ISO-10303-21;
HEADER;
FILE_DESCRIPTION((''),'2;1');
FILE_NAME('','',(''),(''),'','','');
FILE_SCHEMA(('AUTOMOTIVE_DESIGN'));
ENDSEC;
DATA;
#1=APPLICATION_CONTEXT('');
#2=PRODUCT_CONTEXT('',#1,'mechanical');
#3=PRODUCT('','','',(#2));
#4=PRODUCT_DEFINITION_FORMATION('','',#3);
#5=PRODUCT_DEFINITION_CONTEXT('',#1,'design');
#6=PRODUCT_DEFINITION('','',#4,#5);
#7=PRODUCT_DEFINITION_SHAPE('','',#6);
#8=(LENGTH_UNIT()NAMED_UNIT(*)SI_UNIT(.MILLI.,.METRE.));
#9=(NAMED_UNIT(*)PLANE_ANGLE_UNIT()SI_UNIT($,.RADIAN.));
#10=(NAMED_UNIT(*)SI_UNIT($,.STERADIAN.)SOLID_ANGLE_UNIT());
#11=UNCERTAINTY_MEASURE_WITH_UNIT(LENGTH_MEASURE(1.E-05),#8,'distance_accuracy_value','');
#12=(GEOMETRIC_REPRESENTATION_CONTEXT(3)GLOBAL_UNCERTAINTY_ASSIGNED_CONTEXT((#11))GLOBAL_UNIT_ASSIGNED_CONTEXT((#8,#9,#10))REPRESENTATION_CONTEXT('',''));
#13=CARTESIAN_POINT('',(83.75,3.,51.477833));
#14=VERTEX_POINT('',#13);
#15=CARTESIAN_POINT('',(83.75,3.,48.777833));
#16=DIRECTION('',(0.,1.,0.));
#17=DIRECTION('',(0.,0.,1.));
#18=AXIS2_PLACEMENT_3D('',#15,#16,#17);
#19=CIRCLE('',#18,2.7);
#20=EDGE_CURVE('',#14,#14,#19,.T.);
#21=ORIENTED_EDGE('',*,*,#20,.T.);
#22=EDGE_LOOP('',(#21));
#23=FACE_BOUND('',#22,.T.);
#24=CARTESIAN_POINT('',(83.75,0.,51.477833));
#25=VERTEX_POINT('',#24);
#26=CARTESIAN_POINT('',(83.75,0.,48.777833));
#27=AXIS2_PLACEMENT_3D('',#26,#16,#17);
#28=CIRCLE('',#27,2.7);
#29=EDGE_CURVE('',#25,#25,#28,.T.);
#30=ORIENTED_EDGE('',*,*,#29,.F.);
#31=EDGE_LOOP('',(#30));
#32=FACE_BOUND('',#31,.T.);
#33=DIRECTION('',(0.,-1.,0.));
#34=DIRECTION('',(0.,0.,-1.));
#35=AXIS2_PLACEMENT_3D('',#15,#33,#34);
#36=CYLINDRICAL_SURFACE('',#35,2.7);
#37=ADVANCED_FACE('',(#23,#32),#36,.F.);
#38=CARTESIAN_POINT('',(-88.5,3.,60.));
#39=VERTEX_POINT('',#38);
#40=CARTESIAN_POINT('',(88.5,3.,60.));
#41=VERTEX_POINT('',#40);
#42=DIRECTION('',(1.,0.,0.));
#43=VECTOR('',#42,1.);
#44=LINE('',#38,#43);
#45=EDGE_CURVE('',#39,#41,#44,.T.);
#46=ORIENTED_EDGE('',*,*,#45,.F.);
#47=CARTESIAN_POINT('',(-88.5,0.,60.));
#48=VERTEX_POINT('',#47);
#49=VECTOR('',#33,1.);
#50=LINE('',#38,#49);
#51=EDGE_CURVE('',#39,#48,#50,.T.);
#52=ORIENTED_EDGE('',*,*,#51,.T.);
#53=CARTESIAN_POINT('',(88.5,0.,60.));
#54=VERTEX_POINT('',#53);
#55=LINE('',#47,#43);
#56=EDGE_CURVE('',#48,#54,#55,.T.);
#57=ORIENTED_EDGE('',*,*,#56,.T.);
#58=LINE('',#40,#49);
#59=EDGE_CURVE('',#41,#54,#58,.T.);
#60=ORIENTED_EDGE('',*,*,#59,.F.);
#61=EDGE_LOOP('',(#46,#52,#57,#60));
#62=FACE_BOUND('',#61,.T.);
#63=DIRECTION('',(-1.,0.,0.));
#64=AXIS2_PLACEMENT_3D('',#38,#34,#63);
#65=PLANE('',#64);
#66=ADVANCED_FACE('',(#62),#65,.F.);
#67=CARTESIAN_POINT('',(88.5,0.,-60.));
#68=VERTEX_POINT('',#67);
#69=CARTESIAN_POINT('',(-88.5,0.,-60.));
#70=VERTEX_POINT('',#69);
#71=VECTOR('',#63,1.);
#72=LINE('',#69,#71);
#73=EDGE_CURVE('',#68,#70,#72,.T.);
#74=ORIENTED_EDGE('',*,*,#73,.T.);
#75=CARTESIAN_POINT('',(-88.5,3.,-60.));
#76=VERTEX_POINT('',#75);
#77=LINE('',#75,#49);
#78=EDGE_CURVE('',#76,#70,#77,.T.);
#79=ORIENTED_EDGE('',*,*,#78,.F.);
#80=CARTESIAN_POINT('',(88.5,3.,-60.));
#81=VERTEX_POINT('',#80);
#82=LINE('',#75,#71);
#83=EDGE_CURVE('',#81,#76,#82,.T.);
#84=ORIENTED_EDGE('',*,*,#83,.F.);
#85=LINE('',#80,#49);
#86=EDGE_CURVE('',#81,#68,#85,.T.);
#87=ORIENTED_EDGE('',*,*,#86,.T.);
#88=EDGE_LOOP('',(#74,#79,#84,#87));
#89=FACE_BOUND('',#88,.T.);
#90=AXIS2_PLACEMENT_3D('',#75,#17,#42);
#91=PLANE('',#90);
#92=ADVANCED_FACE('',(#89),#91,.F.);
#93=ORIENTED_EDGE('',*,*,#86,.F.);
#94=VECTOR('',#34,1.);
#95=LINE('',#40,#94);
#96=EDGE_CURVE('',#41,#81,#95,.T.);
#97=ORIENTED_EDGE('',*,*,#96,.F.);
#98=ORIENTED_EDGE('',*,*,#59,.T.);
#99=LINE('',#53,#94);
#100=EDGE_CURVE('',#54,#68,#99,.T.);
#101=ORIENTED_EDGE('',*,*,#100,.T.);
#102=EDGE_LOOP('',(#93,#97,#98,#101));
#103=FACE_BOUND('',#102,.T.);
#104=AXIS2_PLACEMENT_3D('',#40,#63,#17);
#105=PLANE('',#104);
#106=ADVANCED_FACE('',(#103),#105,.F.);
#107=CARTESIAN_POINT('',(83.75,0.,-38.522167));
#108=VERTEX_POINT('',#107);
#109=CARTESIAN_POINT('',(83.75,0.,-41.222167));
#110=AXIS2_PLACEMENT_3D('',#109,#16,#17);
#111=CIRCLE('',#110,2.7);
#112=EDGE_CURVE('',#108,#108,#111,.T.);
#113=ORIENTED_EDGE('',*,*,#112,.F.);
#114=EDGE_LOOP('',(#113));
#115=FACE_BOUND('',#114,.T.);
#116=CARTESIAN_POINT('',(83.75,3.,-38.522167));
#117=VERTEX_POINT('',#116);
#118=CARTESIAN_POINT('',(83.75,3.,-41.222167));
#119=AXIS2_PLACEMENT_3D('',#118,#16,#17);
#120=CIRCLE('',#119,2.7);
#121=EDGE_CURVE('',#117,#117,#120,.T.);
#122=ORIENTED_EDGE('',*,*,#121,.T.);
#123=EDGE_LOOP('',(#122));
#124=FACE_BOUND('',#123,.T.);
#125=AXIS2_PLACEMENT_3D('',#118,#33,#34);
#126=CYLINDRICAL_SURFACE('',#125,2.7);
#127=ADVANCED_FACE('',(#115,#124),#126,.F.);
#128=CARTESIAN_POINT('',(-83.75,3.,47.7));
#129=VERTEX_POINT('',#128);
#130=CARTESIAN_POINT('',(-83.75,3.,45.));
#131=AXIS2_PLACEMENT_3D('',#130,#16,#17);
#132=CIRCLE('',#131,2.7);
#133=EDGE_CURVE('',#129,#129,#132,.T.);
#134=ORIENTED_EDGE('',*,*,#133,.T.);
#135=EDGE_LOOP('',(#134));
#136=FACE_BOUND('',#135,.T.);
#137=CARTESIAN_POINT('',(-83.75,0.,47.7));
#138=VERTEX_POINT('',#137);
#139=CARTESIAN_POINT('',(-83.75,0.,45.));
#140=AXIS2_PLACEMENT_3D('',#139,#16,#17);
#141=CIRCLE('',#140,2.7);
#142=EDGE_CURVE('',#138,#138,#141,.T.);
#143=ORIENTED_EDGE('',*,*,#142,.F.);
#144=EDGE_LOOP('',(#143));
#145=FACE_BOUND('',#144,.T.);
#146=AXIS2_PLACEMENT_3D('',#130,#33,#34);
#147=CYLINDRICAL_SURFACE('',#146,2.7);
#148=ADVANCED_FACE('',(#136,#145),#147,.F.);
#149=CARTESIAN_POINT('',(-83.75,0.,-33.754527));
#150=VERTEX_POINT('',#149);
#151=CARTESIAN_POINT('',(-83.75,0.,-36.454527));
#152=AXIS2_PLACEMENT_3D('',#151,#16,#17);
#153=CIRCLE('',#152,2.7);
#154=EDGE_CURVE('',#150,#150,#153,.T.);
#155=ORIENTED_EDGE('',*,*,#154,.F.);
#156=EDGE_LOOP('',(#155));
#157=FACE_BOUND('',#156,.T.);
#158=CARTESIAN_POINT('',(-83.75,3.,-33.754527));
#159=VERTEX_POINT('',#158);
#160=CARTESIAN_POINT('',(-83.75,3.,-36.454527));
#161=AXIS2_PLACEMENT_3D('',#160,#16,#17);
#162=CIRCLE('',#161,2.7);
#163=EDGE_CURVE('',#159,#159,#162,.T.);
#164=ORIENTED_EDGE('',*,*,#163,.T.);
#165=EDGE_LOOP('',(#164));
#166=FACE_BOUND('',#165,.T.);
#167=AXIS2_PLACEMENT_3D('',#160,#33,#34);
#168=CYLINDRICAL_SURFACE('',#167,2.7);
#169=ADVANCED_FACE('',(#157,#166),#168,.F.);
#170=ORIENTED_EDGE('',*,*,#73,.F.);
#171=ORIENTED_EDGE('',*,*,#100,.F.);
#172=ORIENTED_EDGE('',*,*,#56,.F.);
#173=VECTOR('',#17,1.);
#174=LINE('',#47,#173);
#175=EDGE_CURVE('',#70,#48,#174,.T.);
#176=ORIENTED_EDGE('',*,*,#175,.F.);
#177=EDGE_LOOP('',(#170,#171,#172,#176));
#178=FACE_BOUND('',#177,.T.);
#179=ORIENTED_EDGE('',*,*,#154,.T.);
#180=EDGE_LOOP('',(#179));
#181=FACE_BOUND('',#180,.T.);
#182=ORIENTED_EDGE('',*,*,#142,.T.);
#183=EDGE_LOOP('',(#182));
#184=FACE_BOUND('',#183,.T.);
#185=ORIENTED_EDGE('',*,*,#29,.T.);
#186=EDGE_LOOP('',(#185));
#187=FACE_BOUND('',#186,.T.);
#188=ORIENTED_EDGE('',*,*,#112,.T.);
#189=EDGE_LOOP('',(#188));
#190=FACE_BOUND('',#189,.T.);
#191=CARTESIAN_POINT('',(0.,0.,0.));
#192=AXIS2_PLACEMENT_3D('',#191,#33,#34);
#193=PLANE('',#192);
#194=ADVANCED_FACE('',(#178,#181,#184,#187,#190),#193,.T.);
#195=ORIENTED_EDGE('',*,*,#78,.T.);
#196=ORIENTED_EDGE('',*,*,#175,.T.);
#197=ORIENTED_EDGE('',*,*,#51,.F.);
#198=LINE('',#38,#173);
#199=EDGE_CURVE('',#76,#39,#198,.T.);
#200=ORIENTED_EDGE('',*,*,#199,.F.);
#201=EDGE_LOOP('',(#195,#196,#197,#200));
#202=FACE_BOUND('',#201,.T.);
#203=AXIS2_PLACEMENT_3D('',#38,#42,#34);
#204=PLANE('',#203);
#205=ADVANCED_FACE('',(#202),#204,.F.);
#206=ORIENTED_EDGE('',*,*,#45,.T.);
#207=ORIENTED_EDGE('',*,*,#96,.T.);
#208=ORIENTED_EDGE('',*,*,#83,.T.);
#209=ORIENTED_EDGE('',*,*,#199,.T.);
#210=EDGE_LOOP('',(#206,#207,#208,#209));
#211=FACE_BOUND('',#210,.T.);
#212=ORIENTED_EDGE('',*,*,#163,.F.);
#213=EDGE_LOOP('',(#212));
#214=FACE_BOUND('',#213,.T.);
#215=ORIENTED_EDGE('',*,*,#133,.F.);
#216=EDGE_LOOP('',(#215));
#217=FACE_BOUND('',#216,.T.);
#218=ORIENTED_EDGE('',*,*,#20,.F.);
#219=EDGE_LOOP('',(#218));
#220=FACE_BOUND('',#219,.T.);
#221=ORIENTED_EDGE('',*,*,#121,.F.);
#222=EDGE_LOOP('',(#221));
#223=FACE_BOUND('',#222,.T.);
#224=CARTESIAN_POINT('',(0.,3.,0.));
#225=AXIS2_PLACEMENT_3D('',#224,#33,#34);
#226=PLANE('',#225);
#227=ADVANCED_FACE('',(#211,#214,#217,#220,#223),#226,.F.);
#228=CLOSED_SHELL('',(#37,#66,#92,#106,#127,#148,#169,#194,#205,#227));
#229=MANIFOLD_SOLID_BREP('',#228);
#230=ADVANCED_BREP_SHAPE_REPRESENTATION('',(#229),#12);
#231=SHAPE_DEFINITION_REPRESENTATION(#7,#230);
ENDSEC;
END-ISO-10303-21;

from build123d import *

# Parameters (mm, degrees)
SKETCH1_W      = 177
SKETCH1_H      = 120
SKETCH1_R      = 2.7
EXTRUDE1_DEPTH = 3


with BuildPart() as part:
    # Sketch1 → Extrude1 (new body)
    with BuildSketch(Plane(origin=(0, 0, 0), x_dir=(1, 0, 0), z_dir=(0, 1, 0))):
        Rectangle(SKETCH1_W, SKETCH1_H)
        with Locations(Location((-83.75, 36.454526796, 0), (0, 0, 270))):
            Circle(SKETCH1_R, mode=Mode.SUBTRACT)
        with Locations(Location((83.75, 41.222166987, 0), (0, 0, 270))):
            Circle(SKETCH1_R, mode=Mode.SUBTRACT)
        with Locations(Location((83.75, -48.777833013, 0), (0, 0, 270))):
            Circle(SKETCH1_R, mode=Mode.SUBTRACT)
        with Locations(Location((-83.75, -45, 0), (0, 0, 270))):
            Circle(SKETCH1_R, mode=Mode.SUBTRACT)
    extrude(amount=EXTRUDE1_DEPTH)


solid = part.part
